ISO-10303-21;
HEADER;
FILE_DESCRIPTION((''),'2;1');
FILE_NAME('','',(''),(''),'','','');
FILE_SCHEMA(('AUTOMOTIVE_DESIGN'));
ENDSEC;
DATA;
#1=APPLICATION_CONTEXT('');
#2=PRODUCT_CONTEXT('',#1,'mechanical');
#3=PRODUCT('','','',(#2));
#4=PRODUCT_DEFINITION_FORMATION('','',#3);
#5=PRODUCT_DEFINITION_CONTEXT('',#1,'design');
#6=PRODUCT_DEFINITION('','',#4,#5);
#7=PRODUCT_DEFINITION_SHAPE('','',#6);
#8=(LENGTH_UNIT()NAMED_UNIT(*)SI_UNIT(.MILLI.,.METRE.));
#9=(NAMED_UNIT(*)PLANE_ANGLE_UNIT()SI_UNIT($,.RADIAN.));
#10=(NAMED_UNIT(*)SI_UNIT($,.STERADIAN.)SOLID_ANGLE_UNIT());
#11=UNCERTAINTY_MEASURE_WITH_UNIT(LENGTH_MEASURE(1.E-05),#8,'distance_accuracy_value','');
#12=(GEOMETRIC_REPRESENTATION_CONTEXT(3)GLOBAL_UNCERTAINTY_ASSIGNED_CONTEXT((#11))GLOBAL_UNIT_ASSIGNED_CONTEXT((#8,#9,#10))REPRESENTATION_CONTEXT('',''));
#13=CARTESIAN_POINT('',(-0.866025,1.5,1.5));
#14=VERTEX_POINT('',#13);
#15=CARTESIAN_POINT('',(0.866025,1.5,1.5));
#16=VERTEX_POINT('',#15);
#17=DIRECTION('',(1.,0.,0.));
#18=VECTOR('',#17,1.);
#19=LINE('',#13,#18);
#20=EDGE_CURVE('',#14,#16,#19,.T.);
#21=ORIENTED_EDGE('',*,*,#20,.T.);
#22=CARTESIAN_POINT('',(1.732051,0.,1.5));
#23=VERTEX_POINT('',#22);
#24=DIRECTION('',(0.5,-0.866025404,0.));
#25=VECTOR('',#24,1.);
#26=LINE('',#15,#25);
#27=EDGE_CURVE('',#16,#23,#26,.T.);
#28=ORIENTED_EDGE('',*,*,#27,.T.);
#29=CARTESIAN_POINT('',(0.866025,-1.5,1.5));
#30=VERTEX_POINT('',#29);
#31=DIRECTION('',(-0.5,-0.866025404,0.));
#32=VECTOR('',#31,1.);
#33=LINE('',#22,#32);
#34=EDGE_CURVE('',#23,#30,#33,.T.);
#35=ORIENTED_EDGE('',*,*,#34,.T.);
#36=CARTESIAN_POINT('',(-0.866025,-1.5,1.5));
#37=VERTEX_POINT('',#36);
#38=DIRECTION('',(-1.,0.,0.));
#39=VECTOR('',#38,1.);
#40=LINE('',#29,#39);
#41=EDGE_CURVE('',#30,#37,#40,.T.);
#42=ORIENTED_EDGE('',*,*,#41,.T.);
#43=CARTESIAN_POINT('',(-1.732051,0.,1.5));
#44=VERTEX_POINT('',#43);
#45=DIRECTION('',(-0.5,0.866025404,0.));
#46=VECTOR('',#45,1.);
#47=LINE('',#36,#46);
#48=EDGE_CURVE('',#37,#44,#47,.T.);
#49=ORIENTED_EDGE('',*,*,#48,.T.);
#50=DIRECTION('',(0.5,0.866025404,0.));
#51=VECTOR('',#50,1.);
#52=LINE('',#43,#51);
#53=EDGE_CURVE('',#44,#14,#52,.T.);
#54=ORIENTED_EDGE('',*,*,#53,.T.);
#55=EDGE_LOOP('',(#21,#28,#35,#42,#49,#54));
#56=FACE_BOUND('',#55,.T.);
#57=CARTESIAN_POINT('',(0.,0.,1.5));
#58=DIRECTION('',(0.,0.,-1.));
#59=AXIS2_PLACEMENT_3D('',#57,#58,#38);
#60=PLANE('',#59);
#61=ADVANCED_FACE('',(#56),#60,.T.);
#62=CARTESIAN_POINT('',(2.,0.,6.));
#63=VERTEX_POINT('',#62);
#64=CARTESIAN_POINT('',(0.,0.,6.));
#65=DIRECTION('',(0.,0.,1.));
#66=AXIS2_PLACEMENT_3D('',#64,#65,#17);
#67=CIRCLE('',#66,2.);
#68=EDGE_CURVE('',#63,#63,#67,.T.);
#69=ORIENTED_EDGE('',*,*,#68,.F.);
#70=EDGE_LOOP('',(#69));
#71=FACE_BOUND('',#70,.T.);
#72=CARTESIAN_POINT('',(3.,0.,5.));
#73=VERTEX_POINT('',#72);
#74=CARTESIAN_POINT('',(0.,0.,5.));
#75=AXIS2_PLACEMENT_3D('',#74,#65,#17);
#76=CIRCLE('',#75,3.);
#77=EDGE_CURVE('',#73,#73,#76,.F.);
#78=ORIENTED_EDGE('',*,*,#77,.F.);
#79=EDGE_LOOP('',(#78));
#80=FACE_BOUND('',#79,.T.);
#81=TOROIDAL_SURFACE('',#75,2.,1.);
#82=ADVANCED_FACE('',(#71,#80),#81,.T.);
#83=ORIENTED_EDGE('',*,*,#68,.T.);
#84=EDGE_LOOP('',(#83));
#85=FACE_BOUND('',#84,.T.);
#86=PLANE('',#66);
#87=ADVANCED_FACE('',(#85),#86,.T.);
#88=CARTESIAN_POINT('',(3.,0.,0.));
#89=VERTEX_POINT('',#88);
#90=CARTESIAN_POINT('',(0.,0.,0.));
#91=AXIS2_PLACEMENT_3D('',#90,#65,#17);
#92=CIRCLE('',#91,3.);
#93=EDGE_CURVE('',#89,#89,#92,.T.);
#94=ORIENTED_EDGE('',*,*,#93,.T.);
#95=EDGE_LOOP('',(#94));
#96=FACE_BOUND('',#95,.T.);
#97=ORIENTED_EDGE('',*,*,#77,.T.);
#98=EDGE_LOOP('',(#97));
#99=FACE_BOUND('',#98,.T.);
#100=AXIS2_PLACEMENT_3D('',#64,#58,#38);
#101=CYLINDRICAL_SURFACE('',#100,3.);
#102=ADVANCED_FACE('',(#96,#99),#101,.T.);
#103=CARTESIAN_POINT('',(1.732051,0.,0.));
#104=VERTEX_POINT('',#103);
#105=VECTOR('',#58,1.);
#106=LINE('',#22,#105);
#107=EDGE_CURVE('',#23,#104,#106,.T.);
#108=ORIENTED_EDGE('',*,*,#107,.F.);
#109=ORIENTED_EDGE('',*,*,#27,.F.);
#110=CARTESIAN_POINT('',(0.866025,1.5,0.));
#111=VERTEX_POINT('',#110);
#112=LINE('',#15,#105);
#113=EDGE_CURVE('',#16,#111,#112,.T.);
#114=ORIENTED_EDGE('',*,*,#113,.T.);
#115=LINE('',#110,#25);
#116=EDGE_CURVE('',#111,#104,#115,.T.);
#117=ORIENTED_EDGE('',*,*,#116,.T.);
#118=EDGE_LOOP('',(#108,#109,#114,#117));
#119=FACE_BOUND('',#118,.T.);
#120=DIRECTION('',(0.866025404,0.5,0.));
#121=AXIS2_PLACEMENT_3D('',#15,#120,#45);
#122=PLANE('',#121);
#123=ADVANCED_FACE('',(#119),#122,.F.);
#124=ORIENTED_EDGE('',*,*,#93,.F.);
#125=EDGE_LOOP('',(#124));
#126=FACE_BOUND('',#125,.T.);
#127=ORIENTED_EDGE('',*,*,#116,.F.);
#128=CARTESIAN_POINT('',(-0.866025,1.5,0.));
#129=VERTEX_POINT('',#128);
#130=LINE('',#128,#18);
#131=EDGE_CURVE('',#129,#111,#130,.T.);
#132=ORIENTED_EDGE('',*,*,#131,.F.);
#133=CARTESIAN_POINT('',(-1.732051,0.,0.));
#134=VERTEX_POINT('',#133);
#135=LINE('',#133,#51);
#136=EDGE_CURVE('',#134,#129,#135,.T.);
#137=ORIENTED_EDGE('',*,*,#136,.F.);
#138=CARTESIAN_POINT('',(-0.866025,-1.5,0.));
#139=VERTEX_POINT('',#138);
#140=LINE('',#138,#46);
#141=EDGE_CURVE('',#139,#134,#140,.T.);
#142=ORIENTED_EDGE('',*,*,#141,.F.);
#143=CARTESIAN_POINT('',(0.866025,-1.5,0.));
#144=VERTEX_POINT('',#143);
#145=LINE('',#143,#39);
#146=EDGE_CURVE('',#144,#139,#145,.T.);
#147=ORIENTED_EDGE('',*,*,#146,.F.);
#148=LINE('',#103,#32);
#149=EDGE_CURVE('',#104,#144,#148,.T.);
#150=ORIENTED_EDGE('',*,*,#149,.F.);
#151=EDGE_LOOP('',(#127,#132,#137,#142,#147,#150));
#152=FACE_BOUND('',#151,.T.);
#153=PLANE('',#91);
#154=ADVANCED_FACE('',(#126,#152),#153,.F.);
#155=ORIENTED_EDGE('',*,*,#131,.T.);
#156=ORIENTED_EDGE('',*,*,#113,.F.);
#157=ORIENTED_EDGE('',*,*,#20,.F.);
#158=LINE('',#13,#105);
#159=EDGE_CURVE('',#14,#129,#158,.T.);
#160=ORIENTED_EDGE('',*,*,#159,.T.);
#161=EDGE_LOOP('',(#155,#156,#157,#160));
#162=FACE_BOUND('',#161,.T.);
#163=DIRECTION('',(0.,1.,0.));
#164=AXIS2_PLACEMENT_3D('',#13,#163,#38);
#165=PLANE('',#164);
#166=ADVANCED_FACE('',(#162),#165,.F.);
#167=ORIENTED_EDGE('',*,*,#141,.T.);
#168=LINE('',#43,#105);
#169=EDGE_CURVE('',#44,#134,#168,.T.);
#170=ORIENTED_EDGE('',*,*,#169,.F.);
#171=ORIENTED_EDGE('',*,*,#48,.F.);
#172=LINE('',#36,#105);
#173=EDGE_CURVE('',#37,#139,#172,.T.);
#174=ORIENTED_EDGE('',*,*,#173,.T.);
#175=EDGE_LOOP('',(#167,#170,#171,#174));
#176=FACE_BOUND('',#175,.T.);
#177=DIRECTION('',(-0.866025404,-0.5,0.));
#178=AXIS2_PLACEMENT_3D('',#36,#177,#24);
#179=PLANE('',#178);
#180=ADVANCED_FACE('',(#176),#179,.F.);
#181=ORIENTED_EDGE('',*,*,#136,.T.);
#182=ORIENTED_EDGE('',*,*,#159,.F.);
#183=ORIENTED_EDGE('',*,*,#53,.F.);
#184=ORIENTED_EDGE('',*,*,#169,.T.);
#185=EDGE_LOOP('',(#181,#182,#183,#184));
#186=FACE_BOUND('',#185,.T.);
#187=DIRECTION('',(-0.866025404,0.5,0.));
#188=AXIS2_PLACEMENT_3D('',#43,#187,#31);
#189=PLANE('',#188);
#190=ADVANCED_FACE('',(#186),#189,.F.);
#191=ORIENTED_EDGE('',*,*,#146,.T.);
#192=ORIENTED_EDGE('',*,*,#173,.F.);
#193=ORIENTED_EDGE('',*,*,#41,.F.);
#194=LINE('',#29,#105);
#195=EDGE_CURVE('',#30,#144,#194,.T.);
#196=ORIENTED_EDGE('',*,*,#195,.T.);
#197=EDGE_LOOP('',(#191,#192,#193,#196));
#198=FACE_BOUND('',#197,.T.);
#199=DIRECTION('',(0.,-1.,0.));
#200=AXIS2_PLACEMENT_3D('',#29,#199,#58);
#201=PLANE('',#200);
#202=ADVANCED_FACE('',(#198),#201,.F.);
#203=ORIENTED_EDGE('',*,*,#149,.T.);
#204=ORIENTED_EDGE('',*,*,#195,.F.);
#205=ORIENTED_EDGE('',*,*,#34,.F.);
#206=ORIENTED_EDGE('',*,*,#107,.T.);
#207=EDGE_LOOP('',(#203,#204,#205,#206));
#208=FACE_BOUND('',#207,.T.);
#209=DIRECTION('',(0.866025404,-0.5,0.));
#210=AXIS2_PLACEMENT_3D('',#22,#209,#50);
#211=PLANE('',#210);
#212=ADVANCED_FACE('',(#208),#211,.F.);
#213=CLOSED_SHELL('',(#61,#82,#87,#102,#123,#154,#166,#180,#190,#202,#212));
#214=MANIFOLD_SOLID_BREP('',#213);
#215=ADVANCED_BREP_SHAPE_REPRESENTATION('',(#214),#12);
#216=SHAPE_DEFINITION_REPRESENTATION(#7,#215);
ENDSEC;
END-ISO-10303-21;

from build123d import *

# Parameters (mm, degrees)
SKETCH_1_R          = 3
EXTRUDE_1_DEPTH     = 6
FILLET_1_R          = 1
CUT_EXTRUDE_1_DEPTH = 1.5


with BuildPart() as part:
    # 草图1 → 凸台-拉伸1 (new body)
    with BuildSketch(Plane.XY):
        Circle(SKETCH_1_R)
    extrude(amount=EXTRUDE_1_DEPTH)

    # 圆角1
    fillet_1_edges = [part.edges().sort_by_distance(p)[0] for p in [
        (-3, 0, 6),
    ]]
    fillet(fillet_1_edges, radius=FILLET_1_R)

    # 草图2 → 切除-拉伸1 (cut)
    with BuildSketch(Plane(origin=(0, 0, 0), x_dir=(-1, 0, 0), z_dir=(0, 0, -1))):
        Polygon((1.732050808, 0), (0.866025404, 1.5), (-0.866025404, 1.5), (-1.732050808, 0), (-0.866025404, -1.5), (0.866025404, -1.5), align=None)
    extrude(amount=-CUT_EXTRUDE_1_DEPTH, mode=Mode.SUBTRACT)


solid = part.part
